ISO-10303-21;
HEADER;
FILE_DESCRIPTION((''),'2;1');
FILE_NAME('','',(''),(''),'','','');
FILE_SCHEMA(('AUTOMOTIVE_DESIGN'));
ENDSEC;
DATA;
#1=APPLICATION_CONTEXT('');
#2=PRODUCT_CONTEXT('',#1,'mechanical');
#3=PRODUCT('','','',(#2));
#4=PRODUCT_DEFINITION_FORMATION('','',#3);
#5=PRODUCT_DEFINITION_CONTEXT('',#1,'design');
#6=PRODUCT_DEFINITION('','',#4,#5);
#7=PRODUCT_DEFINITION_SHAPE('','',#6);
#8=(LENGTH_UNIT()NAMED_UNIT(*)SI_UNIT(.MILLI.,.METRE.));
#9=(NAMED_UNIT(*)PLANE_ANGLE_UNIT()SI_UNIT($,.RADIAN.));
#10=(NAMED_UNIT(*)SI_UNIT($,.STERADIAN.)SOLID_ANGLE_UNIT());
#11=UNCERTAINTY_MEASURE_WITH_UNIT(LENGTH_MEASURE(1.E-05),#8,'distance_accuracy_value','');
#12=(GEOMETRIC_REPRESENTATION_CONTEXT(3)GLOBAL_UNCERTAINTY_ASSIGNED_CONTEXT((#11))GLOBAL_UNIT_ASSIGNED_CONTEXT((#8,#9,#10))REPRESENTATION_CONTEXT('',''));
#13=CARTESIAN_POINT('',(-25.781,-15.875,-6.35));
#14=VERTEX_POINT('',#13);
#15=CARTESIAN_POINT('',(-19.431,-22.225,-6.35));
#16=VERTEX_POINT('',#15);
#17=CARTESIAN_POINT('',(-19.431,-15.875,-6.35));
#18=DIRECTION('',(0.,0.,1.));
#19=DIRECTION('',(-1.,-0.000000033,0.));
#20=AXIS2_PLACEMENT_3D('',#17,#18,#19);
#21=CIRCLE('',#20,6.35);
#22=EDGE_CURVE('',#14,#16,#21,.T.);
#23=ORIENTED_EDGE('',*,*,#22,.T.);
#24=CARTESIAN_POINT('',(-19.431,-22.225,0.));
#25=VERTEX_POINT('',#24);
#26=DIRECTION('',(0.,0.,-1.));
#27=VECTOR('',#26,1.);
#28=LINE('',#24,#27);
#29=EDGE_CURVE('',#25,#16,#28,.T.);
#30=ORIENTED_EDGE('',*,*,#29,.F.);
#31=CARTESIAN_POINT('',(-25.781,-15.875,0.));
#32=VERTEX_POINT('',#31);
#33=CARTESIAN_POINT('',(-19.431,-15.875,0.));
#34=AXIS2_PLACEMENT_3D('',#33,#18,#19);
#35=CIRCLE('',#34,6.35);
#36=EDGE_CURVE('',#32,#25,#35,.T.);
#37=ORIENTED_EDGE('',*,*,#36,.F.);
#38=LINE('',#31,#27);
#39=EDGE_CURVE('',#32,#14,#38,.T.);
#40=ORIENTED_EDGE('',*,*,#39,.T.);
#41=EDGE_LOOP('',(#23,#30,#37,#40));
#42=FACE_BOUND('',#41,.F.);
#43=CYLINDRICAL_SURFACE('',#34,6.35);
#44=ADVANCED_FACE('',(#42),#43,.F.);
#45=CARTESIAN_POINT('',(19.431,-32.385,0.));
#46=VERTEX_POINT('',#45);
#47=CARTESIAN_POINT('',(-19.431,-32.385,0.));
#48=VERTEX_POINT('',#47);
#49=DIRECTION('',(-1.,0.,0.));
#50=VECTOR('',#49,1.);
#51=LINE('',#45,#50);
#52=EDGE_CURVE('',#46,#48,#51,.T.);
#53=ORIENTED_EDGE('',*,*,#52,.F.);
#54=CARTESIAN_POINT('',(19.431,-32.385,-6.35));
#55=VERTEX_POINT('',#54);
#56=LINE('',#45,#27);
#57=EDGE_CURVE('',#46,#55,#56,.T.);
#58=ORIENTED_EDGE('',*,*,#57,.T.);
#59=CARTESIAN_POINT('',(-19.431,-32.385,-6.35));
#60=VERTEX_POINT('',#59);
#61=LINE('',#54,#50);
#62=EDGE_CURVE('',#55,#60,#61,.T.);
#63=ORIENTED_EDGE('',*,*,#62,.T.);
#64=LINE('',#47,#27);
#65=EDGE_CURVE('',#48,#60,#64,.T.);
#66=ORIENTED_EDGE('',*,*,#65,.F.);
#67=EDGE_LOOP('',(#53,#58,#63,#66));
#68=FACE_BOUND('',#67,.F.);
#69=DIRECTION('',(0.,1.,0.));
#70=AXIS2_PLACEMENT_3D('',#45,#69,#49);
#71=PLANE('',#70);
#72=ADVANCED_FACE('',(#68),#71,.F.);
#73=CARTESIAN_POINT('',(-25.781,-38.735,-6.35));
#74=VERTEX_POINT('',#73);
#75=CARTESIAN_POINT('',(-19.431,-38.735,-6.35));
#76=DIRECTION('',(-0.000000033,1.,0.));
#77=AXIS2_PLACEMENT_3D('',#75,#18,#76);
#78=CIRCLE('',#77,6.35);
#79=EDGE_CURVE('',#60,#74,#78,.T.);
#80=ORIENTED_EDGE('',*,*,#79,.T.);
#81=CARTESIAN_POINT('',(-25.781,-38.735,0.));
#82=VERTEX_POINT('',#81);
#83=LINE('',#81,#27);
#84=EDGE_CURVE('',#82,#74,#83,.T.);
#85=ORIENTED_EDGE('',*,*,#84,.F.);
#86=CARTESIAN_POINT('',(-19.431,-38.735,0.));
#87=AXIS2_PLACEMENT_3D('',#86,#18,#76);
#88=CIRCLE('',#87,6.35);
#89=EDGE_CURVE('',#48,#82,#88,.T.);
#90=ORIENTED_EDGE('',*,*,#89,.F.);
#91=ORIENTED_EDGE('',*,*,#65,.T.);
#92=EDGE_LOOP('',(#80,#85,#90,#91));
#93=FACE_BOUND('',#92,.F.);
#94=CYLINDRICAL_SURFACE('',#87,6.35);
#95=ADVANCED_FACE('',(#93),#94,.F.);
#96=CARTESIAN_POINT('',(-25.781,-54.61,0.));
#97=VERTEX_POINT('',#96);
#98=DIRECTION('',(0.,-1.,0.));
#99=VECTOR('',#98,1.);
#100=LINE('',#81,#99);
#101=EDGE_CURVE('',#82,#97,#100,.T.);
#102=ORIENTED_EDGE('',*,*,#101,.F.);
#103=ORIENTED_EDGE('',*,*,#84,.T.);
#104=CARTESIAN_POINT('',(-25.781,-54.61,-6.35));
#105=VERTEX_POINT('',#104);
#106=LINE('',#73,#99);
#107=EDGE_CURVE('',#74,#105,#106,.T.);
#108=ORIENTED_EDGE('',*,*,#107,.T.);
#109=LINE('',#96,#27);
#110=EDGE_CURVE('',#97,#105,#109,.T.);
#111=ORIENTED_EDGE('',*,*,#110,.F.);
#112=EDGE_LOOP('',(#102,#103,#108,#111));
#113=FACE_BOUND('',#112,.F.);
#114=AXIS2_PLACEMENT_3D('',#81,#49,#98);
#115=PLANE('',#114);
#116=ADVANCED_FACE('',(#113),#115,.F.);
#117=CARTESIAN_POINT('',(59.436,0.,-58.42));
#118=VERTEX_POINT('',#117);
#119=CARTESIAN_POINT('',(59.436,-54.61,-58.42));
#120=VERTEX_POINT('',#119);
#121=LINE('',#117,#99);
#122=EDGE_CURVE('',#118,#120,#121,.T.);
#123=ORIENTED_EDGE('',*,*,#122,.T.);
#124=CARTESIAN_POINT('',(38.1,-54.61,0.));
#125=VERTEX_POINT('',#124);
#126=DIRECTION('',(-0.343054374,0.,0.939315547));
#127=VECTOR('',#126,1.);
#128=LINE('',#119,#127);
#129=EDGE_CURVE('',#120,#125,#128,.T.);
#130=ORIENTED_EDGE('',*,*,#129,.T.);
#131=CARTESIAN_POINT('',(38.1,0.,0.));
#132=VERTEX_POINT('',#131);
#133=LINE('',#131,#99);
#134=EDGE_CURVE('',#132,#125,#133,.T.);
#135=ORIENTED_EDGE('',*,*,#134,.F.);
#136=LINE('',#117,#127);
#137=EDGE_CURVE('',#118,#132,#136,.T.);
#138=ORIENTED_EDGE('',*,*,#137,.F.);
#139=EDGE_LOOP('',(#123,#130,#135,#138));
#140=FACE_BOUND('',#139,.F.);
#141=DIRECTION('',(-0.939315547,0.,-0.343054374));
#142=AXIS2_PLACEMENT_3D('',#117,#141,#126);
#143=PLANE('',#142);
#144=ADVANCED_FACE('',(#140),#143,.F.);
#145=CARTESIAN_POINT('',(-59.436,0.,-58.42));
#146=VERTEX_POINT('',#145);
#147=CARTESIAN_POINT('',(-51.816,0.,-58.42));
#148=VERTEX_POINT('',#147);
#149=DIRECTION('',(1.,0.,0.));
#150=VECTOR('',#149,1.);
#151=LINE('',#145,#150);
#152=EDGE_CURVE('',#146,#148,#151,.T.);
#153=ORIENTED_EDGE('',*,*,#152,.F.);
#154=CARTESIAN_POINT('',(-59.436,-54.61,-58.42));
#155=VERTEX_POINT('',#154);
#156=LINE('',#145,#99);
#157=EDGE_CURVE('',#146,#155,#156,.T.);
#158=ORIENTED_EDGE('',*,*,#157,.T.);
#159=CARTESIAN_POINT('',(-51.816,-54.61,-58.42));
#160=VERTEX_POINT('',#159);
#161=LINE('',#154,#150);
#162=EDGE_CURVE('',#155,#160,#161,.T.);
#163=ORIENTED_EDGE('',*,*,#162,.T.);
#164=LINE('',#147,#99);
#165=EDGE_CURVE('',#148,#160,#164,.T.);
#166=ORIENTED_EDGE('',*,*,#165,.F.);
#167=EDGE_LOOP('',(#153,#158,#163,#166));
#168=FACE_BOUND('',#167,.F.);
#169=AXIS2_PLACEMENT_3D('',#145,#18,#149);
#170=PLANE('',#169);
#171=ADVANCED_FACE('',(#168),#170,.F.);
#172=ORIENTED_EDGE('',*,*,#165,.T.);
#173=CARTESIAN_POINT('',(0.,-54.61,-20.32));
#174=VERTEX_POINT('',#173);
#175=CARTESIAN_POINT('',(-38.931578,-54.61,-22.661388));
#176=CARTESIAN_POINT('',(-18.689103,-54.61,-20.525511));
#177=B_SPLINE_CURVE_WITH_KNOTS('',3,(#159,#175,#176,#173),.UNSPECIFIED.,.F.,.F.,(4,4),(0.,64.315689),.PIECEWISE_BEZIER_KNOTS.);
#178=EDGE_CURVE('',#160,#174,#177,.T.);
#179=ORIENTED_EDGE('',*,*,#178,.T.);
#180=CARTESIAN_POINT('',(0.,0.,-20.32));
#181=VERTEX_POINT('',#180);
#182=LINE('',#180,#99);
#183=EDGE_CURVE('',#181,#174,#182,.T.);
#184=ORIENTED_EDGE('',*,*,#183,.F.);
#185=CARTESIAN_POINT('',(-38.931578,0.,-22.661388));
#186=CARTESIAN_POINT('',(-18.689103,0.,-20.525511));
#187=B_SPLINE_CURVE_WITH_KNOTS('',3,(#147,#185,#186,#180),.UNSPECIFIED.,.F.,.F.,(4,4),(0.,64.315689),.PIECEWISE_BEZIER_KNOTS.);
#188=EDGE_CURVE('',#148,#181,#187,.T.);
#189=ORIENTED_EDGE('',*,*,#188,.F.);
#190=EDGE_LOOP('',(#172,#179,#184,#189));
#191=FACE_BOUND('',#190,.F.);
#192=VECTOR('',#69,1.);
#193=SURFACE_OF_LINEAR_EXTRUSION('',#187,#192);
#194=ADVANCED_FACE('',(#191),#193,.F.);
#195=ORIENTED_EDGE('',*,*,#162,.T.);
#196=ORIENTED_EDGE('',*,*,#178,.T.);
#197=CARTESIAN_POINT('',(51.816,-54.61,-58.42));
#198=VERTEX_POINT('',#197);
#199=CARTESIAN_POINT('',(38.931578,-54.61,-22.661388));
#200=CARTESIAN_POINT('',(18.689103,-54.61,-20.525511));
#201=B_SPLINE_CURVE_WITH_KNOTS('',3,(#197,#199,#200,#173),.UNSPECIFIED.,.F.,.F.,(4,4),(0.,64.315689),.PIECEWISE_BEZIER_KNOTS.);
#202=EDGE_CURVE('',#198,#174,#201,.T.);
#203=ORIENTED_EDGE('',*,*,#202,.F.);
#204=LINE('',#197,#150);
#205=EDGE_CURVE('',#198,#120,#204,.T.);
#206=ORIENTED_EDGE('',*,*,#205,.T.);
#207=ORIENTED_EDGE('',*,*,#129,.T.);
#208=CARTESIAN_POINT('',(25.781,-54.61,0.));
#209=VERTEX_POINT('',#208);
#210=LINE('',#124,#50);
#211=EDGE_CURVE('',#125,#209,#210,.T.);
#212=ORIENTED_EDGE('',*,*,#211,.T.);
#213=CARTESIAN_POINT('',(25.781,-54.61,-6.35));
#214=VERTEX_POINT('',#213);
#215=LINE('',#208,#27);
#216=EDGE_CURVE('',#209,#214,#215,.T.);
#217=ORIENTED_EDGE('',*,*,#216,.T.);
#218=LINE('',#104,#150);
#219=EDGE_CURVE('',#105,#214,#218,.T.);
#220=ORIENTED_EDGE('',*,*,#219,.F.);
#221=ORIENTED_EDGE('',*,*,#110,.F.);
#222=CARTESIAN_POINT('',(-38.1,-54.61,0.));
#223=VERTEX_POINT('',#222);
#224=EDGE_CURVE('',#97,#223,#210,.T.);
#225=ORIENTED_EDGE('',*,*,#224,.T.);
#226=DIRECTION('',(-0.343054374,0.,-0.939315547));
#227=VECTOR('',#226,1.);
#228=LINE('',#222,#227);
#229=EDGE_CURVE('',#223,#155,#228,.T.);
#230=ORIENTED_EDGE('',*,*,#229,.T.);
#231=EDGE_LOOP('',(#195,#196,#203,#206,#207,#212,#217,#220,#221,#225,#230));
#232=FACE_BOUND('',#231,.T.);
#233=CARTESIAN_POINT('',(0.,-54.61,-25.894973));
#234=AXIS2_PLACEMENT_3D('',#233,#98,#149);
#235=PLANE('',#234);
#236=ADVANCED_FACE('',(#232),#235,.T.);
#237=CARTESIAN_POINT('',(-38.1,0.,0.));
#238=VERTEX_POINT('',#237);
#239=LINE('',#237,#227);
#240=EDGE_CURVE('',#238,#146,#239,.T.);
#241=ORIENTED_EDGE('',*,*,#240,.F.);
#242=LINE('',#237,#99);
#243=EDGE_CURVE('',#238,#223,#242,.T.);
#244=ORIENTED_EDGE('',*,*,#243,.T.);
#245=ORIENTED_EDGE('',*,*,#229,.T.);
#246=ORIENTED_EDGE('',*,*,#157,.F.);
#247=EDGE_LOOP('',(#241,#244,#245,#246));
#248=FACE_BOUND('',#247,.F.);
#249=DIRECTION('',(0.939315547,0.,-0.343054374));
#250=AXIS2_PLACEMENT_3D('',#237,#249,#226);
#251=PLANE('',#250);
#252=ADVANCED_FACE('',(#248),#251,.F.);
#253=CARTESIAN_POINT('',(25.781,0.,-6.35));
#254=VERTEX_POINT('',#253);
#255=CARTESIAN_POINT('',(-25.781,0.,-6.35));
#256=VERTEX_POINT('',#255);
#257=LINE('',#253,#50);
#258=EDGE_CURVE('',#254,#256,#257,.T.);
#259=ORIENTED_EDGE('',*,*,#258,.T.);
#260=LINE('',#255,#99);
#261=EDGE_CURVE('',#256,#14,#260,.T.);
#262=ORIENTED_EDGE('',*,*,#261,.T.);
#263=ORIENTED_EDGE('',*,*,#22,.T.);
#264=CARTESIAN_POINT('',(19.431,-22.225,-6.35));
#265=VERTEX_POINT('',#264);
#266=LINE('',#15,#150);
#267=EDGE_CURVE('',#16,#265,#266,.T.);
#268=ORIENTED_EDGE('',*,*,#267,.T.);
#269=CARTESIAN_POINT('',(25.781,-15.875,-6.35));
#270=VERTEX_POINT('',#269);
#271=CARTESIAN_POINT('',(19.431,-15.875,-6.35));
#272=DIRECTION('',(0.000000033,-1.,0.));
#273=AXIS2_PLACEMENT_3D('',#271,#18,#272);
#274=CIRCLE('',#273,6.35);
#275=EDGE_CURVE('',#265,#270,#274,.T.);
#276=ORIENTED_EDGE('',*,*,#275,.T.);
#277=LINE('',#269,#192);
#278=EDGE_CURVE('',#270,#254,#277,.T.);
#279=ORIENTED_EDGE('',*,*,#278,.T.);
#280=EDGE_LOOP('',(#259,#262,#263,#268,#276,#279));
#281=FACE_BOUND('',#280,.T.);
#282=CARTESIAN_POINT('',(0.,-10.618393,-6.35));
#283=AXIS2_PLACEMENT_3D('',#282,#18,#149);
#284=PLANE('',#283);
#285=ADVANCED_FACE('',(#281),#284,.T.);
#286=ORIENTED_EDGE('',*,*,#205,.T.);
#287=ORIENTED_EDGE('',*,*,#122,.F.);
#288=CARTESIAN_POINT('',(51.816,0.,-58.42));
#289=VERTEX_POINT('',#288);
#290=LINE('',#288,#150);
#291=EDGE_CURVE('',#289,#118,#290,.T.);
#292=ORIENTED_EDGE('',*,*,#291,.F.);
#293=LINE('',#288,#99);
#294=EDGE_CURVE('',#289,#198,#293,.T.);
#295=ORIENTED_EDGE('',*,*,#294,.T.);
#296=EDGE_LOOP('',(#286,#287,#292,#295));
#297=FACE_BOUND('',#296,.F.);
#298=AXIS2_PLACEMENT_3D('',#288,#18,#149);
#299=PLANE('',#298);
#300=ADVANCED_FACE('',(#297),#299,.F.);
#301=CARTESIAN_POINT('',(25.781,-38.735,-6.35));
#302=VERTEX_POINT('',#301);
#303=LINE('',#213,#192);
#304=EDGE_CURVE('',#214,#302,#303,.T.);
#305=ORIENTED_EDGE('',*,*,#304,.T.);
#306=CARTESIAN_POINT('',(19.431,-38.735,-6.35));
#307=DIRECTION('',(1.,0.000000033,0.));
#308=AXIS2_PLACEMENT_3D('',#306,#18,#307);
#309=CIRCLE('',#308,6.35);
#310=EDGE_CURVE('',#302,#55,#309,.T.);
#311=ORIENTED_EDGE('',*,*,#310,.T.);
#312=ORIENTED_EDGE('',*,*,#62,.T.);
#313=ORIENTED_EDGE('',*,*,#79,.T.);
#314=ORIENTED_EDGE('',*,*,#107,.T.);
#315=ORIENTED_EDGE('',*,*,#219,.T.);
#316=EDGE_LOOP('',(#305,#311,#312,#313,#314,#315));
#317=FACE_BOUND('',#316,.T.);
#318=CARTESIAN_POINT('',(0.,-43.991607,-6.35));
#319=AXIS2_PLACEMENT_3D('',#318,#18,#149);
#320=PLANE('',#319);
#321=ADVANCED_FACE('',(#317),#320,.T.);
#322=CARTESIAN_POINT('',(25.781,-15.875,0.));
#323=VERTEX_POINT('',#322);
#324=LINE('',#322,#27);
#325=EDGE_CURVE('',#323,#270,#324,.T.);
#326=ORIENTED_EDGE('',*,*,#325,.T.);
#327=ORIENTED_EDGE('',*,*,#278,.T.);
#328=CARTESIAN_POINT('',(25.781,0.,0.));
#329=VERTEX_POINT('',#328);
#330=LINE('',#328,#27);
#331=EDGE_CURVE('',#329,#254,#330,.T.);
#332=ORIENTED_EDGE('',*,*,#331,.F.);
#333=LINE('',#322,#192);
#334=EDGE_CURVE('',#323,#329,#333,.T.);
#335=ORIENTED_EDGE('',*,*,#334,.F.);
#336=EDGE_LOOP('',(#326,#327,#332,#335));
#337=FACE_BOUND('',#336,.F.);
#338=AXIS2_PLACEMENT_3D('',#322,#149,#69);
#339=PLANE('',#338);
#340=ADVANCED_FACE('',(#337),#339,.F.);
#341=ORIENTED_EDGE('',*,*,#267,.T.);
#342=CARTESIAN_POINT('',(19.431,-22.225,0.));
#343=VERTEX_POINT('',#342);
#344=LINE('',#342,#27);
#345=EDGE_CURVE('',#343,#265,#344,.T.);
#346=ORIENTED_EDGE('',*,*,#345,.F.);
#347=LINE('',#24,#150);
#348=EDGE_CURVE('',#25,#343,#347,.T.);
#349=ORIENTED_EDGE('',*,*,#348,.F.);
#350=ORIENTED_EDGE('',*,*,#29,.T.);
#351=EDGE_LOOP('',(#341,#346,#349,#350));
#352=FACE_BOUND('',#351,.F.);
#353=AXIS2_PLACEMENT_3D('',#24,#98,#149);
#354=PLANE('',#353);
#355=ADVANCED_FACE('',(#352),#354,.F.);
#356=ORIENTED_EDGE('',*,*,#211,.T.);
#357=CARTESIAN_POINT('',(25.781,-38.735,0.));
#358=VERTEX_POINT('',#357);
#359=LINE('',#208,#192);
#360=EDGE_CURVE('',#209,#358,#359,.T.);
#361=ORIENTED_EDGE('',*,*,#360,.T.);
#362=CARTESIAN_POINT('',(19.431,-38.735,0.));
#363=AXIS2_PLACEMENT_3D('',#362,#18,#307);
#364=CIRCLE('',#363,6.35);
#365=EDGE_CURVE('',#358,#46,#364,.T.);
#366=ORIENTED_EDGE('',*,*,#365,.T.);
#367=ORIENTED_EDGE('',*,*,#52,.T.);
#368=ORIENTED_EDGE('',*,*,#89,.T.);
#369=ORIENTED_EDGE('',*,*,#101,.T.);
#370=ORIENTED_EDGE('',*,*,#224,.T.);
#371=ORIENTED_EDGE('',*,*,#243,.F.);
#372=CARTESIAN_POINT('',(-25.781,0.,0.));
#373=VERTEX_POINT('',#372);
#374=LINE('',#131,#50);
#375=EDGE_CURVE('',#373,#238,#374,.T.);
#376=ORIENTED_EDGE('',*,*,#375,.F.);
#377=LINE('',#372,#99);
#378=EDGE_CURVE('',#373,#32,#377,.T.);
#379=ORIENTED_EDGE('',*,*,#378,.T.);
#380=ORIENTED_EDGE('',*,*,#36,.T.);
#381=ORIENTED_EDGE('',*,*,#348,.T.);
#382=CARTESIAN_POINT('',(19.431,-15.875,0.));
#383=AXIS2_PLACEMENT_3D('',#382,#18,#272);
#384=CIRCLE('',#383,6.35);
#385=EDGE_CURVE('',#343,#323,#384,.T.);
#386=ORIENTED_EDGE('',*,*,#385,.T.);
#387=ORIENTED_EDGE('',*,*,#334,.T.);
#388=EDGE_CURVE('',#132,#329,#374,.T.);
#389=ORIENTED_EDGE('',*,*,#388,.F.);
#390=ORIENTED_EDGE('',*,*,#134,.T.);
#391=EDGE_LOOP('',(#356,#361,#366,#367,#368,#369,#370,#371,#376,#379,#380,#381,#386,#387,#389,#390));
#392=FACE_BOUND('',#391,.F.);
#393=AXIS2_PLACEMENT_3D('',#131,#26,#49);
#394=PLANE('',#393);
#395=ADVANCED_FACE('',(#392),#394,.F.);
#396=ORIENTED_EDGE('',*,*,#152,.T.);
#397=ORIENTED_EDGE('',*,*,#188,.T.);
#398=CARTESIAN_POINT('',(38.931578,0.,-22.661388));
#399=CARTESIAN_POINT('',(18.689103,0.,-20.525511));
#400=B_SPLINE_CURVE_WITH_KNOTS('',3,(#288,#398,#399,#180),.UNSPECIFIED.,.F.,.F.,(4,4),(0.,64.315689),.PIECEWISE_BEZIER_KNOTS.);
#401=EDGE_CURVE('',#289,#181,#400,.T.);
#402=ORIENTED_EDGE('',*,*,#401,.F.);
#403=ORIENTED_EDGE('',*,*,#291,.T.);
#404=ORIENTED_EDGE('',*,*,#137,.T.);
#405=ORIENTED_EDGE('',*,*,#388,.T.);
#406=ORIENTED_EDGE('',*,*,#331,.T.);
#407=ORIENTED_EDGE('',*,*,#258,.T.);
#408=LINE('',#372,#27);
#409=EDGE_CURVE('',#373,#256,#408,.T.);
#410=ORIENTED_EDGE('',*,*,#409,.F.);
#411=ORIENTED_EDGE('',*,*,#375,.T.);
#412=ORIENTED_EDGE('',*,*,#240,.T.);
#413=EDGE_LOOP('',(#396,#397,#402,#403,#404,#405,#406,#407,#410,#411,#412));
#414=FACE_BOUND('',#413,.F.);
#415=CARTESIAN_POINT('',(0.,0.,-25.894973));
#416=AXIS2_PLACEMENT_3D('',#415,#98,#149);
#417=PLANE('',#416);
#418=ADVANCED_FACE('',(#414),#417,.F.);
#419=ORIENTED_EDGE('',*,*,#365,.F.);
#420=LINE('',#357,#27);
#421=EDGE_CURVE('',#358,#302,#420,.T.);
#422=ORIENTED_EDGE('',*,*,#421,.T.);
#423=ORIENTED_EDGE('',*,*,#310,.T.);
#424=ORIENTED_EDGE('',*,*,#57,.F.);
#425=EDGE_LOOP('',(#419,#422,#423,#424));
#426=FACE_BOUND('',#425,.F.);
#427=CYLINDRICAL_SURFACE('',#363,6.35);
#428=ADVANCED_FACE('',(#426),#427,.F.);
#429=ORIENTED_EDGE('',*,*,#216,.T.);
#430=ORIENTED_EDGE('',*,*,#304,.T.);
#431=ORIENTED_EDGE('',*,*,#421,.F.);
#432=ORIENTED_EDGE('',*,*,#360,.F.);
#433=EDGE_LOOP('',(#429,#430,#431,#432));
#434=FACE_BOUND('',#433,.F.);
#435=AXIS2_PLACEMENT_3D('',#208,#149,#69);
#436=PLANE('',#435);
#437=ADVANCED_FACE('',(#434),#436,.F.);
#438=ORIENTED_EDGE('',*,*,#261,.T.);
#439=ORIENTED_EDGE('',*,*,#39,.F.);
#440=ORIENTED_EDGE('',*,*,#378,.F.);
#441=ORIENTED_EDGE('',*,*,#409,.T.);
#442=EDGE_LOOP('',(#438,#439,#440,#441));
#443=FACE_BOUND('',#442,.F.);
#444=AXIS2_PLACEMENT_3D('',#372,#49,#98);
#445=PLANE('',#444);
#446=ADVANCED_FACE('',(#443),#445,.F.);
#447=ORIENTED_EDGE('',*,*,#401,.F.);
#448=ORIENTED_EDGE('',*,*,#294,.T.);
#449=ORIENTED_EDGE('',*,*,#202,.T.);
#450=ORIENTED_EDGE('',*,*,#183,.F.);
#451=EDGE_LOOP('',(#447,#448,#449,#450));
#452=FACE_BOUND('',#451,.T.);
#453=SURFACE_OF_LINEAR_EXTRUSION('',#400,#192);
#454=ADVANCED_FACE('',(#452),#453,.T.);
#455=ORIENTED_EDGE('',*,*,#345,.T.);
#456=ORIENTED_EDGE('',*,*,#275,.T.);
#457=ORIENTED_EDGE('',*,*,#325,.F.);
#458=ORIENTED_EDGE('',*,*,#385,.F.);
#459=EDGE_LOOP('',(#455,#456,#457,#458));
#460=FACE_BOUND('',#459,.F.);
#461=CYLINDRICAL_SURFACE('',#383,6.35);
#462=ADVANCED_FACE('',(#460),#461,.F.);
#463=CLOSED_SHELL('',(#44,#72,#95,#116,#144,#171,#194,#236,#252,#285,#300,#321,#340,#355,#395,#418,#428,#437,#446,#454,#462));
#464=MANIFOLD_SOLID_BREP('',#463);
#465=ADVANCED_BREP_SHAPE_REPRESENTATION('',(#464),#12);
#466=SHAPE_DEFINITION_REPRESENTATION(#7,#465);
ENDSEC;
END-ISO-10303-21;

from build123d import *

# Parameters (mm, degrees)
F1_DEPTH = 54.61
F3_DEPTH = 6.35


with BuildPart() as f1:
    # F0 (on Front) → F1 (new body)
    with BuildSketch(Plane.XZ):
        with BuildLine():
            Line((38.1, 0), (0, 0))
            Line((0, 0), (-38.1, 0))
            Line((-38.1, 0), (-59.436, -58.42))
            Line((-59.436, -58.42), (-51.816, -58.42))
            add(Edge.make_bspline(
                [(-51.816, -58.42), (-38.931578, -22.661388), (-18.689103, -20.525511), (0, -20.32)],
                knots=[0, 0, 0, 0, 64.315689, 64.315689, 64.315689, 64.315689], degree=3))
            add(Edge.make_bspline(
                [(51.816, -58.42), (38.931578, -22.661388), (18.689103, -20.525511), (0, -20.32)],
                knots=[0, 0, 0, 0, 64.315689, 64.315689, 64.315689, 64.315689], degree=3))
            Line((51.816, -58.42), (59.436, -58.42))
            Line((59.436, -58.42), (38.1, 0))
        make_face()
    extrude(amount=F1_DEPTH)

    # F2 (on face) → F3 (cut)
    with BuildSketch(Plane.XY):
        with BuildLine():
            Line((-19.431, -22.225), (19.431, -22.225))
            ThreePointArc((19.431, -22.225), (23.921128, -20.365128), (25.781, -15.875))
            Line((25.781, -15.875), (25.781, 0))
            Line((25.781, 0), (-25.781, 0))
            Line((-25.781, 0), (-25.781, -15.875))
            ThreePointArc((-25.781, -15.875), (-23.921128, -20.365128), (-19.431, -22.225))
        make_face()
        with BuildLine():
            Line((-25.781, -54.61), (25.781, -54.61))
            Line((25.781, -54.61), (25.781, -38.735))
            ThreePointArc((25.781, -38.735), (23.921128, -34.244872), (19.431, -32.385))
            Line((19.431, -32.385), (-19.431, -32.385))
            ThreePointArc((-19.431, -32.385), (-23.921128, -34.244872), (-25.781, -38.735))
            Line((-25.781, -38.735), (-25.781, -54.61))
        make_face()
    extrude(amount=-F3_DEPTH, mode=Mode.SUBTRACT)


solid = f1.part
